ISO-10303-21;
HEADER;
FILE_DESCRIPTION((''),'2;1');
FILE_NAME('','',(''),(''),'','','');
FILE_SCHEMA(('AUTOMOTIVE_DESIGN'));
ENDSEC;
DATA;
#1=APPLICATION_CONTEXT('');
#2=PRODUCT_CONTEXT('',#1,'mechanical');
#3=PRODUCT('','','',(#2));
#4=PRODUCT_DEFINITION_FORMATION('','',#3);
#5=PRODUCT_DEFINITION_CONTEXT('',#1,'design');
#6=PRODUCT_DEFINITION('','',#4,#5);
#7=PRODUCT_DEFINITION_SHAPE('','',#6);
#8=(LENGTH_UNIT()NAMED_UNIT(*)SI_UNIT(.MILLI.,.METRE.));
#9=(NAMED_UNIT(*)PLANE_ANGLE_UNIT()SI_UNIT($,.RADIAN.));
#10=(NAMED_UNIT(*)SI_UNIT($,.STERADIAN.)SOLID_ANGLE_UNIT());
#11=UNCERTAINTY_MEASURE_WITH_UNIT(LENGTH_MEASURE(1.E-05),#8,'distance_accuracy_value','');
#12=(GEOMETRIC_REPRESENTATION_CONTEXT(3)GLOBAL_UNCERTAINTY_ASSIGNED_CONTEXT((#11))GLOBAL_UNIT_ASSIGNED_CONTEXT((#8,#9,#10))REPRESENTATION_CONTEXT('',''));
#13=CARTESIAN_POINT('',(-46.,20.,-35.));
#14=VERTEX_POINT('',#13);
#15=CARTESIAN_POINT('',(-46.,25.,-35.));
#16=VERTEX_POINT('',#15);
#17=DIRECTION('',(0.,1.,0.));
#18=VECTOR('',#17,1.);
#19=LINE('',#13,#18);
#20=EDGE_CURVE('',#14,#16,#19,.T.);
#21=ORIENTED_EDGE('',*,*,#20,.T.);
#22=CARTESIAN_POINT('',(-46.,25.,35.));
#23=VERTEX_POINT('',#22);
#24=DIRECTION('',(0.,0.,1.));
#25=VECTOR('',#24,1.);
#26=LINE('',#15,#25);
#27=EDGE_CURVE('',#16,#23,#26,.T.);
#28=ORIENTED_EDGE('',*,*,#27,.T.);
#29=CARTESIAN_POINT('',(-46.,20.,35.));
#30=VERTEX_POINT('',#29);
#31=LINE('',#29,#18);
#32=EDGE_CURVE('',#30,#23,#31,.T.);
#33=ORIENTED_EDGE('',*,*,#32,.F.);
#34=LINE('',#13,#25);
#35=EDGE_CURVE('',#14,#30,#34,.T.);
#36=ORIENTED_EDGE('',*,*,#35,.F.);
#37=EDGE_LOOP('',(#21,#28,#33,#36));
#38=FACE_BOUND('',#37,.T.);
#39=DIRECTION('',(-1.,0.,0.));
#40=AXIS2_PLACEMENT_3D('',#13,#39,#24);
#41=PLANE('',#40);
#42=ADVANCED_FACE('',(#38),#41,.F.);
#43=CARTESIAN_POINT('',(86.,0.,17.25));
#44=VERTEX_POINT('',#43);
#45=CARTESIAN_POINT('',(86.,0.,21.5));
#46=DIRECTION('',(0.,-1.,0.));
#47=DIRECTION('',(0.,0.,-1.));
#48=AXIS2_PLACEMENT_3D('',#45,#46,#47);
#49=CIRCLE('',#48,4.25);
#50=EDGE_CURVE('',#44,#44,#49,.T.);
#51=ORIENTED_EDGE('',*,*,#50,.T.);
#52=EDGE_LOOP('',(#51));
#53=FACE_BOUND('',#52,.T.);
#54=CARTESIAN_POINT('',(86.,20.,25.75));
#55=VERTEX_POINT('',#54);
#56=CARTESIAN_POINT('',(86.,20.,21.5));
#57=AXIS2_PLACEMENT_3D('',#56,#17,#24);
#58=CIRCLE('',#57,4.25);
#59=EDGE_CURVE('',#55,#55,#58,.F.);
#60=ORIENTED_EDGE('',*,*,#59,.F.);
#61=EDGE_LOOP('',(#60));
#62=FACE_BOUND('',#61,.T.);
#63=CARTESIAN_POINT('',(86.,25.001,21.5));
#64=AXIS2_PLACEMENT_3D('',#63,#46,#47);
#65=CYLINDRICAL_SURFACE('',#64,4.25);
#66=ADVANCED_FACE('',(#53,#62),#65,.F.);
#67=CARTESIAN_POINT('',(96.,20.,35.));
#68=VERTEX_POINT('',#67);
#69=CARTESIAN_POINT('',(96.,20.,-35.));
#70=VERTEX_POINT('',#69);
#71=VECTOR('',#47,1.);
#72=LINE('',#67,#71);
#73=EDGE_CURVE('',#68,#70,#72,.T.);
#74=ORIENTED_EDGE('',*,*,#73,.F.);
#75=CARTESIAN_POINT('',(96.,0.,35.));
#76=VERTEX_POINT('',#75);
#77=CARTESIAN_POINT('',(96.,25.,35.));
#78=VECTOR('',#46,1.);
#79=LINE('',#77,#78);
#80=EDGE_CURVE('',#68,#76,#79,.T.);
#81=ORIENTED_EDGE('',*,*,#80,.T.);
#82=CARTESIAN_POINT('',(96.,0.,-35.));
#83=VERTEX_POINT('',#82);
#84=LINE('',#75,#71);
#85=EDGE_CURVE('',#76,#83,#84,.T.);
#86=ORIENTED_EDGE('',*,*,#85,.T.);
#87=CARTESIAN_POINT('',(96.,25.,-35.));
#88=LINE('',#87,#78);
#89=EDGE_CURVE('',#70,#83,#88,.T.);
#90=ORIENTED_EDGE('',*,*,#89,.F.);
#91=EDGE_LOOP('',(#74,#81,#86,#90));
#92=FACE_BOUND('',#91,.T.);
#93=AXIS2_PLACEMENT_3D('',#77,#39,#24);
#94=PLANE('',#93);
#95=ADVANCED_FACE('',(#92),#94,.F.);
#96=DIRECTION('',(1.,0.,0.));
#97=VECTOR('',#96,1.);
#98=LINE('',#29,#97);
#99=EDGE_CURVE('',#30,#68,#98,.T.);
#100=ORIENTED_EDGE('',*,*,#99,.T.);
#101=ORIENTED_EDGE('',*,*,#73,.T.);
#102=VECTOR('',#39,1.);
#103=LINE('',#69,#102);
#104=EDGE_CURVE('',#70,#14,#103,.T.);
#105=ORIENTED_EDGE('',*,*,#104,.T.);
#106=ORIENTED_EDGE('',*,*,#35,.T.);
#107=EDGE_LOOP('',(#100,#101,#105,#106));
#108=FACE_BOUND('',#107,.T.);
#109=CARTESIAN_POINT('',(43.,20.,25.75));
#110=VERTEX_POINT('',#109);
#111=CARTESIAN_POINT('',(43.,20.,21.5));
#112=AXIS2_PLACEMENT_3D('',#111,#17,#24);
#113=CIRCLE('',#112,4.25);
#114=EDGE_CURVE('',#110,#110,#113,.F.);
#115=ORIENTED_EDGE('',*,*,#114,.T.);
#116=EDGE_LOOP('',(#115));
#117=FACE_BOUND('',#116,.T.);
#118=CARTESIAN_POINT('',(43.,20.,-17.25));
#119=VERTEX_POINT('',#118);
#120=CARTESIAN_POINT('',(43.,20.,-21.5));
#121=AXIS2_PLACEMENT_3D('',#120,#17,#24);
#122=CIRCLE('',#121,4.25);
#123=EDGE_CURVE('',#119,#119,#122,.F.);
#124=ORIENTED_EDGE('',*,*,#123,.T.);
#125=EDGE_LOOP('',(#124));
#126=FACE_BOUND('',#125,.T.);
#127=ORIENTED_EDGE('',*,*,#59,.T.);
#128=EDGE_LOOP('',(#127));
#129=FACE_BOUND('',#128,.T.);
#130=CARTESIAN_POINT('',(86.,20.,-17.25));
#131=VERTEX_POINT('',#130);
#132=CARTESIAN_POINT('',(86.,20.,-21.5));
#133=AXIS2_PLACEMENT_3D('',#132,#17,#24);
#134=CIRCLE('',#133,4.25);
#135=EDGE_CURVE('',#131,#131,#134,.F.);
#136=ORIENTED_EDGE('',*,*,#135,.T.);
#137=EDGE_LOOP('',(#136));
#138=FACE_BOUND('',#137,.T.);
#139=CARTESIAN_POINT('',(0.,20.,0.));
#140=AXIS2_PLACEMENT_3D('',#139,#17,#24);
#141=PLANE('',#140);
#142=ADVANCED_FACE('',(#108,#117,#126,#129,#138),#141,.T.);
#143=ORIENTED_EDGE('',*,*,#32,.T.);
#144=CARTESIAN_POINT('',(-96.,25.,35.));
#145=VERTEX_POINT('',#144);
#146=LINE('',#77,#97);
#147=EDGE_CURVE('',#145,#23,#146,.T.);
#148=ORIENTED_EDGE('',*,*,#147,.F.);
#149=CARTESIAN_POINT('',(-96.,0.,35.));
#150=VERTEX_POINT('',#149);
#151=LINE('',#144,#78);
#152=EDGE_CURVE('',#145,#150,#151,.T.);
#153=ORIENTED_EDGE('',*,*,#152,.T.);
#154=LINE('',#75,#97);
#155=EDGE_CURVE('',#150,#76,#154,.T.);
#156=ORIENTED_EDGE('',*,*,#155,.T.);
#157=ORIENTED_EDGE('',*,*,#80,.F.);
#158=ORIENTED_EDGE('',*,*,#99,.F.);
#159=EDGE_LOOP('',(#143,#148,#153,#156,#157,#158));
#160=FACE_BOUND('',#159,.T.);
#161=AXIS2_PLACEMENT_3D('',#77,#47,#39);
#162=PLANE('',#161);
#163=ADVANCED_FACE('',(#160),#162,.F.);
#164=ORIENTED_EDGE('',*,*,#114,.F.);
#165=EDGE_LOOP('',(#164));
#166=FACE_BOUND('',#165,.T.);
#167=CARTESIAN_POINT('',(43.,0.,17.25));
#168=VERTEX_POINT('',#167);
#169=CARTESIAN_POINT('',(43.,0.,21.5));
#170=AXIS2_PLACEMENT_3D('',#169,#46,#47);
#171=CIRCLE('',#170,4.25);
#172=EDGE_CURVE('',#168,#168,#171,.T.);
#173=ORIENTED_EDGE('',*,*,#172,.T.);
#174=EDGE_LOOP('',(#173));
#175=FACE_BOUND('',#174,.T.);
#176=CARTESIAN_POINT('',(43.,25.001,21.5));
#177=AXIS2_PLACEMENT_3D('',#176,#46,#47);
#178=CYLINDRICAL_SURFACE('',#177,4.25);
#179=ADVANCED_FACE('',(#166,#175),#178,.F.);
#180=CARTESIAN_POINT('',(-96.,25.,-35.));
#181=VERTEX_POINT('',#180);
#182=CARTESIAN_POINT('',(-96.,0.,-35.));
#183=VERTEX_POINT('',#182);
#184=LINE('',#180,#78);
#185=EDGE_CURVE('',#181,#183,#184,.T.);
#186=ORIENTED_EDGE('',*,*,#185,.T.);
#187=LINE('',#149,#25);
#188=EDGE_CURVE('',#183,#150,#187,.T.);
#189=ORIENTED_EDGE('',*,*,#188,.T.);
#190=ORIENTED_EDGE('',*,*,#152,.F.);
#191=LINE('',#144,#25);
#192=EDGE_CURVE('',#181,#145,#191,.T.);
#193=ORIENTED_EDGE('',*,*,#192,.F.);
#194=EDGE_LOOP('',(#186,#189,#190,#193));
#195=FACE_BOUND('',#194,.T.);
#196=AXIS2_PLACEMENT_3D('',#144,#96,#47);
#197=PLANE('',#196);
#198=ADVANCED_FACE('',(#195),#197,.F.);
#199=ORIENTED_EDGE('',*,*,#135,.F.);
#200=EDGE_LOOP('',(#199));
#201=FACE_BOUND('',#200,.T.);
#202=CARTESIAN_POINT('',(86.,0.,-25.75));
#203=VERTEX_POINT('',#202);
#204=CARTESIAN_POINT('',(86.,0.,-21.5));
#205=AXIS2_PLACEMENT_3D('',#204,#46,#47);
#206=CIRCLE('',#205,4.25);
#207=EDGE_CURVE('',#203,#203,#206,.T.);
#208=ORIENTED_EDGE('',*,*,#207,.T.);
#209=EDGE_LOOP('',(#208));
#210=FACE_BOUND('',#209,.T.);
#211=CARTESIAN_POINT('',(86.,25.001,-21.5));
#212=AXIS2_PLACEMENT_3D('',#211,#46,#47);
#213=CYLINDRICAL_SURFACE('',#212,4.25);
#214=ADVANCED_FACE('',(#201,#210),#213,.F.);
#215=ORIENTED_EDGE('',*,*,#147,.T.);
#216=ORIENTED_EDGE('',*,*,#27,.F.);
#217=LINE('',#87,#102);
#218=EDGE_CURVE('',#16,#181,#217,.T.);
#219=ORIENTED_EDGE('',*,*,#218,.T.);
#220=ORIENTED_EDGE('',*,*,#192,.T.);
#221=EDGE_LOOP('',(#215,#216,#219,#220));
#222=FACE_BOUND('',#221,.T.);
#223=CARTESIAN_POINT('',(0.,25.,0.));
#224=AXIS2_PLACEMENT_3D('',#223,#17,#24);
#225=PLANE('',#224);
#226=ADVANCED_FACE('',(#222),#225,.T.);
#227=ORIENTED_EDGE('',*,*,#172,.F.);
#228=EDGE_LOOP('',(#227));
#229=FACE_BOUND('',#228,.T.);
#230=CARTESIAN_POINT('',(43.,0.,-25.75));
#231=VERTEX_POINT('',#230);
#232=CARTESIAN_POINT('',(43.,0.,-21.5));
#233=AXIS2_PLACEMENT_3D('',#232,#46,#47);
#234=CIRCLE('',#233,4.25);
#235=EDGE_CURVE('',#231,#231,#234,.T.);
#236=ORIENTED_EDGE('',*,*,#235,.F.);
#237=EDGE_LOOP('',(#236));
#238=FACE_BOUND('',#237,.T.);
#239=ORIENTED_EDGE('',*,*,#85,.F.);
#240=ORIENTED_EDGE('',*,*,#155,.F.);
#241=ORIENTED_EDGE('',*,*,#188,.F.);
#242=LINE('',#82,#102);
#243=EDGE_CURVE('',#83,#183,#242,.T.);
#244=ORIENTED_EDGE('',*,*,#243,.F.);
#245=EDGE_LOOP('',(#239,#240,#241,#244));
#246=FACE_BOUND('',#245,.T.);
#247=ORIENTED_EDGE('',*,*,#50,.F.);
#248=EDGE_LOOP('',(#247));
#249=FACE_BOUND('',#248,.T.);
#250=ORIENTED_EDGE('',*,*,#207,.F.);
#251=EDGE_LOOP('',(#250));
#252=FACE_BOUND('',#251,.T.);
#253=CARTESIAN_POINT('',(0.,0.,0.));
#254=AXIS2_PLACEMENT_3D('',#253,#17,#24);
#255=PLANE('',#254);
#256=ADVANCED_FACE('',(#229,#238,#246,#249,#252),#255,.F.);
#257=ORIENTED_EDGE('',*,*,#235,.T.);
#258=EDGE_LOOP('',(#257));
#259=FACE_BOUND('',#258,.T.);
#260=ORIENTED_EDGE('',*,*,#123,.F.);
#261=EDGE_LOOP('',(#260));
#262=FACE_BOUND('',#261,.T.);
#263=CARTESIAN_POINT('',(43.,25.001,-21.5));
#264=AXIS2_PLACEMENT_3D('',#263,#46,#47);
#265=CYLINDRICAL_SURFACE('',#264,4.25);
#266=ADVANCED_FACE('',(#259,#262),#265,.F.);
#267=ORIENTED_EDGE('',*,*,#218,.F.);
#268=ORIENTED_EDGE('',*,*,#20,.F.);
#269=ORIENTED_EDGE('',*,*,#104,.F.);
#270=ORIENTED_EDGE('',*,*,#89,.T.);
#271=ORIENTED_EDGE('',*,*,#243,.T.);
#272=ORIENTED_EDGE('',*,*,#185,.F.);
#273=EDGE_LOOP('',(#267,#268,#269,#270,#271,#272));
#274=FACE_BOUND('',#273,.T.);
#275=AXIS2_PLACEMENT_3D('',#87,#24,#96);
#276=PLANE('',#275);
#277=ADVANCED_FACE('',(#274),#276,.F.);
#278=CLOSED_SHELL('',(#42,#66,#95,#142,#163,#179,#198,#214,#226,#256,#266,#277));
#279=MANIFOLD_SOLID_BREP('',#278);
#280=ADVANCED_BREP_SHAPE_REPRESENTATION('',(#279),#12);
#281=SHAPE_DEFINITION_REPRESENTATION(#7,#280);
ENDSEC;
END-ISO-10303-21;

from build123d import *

# Parameters (mm, degrees)
SKETCH_1_W                  = 192
SKETCH_1_H                  = 70
EXTRUDE_1_DEPTH             = 25
CUT_EXTRUDE_1_REACH         = 107.195
SKETCH_2_R                  = 4.25
PATTERN_LINEAR_1_COUNT      = 2
PATTERN_LINEAR_1_PITCH      = 43
PATTERN_LINEAR_1_COUNT_DIR2 = 2
PATTERN_LINEAR_1_PITCH_DIR2 = 43
SKETCH_3_W                  = 142
SKETCH_3_H                  = 70
CUT_EXTRUDE_2_DEPTH         = 5


with BuildPart() as part:
    # 草图1 → 凸台-拉伸1 (new body)
    with BuildSketch(Plane(origin=(0, 0, 0), x_dir=(1, 0, 0), z_dir=(0, 1, 0))):
        Rectangle(SKETCH_1_W, SKETCH_1_H)
    extrude(amount=EXTRUDE_1_DEPTH)

    # 草图2 → 切除-拉伸1 (cut, up to next)
    with BuildSketch(Plane.XZ, mode=Mode.PRIVATE) as cut_extrude_1_sk1:
        with Locations(Location((86, 21.5, 0), (0, 0, 270))):
            Circle(SKETCH_2_R)
    cut_extrude_1_tool1 = extrude(cut_extrude_1_sk1.sketch, amount=-CUT_EXTRUDE_1_REACH, mode=Mode.PRIVATE) & part.part
    cut_extrude_1 = cut_extrude_1_tool1.solids().sort_by_distance((86, 0, 21.5))[0]
    add(cut_extrude_1, mode=Mode.SUBTRACT)

    # 阵列(线性)1: Cut-Extrude 1 2 × 2
    with Locations(*[(-i * PATTERN_LINEAR_1_PITCH, 0, -j * PATTERN_LINEAR_1_PITCH_DIR2) for i in range(PATTERN_LINEAR_1_COUNT) for j in range(PATTERN_LINEAR_1_COUNT_DIR2) if (i, j) != (0, 0)]):
        add(cut_extrude_1, mode=Mode.SUBTRACT)

    # 草图3 → 切除-拉伸2 (cut)
    with BuildSketch(Plane(origin=(0, 25, 0), x_dir=(1, 0, 0), z_dir=(0, 1, 0))):
        with Locations((25, 0)):
            Rectangle(SKETCH_3_W, SKETCH_3_H)
    extrude(amount=-CUT_EXTRUDE_2_DEPTH, mode=Mode.SUBTRACT)


solid = part.part
